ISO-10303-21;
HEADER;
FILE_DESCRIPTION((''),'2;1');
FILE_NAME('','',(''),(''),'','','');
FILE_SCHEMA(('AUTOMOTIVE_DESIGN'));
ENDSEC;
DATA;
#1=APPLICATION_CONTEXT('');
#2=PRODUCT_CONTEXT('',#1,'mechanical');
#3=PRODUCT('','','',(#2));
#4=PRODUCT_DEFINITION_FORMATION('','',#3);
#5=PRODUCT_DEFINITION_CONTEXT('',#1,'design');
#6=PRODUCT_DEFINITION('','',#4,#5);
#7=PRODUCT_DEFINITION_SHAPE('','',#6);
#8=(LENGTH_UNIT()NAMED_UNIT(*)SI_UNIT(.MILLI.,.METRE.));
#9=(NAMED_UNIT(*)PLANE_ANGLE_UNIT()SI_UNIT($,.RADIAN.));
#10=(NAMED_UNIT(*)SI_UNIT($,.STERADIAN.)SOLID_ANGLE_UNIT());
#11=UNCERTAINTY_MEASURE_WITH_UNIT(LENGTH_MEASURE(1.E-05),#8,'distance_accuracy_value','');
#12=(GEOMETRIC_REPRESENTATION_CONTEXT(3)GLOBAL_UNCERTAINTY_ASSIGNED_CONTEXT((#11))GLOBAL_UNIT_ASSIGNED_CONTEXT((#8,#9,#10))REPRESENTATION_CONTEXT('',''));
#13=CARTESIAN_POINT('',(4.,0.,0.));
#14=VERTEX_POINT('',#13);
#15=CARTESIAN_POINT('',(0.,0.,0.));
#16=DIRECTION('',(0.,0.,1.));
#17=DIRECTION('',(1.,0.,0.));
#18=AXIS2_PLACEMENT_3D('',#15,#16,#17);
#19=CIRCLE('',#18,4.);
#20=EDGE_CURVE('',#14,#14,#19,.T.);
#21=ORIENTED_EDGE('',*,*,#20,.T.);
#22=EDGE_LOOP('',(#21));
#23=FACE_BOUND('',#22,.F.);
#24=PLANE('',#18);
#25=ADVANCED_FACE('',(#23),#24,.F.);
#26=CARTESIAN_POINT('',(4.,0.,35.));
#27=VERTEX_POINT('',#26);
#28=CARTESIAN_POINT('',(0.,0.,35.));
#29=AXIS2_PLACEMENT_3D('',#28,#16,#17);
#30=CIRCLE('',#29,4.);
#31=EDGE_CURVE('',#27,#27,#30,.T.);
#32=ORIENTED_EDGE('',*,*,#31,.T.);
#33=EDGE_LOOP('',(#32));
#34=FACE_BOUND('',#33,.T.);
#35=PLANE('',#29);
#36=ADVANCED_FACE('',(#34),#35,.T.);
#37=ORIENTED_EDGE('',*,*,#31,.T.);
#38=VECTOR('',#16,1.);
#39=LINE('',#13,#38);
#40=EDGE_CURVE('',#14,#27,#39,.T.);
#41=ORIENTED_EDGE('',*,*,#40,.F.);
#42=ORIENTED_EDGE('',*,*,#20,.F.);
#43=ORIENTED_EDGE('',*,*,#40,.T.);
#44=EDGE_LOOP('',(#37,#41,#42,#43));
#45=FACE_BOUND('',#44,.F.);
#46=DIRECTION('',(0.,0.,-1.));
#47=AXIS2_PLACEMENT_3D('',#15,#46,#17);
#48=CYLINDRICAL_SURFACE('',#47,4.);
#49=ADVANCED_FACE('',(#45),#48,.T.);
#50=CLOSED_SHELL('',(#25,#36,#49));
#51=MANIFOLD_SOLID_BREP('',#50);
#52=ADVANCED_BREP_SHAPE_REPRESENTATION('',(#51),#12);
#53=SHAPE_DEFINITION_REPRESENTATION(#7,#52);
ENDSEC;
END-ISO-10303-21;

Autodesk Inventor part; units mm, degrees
ref_plane "YZ Plane" through (0, 0, 0) normal (1, 0, 0) x (0, 1, 0)
ref_plane "XZ Plane" through (0, 0, 0) normal (0, 1, 0) x (-1, 0, 0)
ref_plane "XY Plane" through (0, 0, 0) normal (0, 0, 1) x (1, 0, 0)
sketch "Sketch1" plane through (0, 0, 0) normal (0, 0, 1) x (1, 0, 0)
  circle A0 centre (0, 0) radius 4
  dimension "d0" = 8
extrude "Extrusion1" add sketch "Sketch1" along normal blind 35
thread "Thread1" size "M8x1.25" class "6g" standard "ANSI Metric M Profile" full length
properties part number "rockershaft"
